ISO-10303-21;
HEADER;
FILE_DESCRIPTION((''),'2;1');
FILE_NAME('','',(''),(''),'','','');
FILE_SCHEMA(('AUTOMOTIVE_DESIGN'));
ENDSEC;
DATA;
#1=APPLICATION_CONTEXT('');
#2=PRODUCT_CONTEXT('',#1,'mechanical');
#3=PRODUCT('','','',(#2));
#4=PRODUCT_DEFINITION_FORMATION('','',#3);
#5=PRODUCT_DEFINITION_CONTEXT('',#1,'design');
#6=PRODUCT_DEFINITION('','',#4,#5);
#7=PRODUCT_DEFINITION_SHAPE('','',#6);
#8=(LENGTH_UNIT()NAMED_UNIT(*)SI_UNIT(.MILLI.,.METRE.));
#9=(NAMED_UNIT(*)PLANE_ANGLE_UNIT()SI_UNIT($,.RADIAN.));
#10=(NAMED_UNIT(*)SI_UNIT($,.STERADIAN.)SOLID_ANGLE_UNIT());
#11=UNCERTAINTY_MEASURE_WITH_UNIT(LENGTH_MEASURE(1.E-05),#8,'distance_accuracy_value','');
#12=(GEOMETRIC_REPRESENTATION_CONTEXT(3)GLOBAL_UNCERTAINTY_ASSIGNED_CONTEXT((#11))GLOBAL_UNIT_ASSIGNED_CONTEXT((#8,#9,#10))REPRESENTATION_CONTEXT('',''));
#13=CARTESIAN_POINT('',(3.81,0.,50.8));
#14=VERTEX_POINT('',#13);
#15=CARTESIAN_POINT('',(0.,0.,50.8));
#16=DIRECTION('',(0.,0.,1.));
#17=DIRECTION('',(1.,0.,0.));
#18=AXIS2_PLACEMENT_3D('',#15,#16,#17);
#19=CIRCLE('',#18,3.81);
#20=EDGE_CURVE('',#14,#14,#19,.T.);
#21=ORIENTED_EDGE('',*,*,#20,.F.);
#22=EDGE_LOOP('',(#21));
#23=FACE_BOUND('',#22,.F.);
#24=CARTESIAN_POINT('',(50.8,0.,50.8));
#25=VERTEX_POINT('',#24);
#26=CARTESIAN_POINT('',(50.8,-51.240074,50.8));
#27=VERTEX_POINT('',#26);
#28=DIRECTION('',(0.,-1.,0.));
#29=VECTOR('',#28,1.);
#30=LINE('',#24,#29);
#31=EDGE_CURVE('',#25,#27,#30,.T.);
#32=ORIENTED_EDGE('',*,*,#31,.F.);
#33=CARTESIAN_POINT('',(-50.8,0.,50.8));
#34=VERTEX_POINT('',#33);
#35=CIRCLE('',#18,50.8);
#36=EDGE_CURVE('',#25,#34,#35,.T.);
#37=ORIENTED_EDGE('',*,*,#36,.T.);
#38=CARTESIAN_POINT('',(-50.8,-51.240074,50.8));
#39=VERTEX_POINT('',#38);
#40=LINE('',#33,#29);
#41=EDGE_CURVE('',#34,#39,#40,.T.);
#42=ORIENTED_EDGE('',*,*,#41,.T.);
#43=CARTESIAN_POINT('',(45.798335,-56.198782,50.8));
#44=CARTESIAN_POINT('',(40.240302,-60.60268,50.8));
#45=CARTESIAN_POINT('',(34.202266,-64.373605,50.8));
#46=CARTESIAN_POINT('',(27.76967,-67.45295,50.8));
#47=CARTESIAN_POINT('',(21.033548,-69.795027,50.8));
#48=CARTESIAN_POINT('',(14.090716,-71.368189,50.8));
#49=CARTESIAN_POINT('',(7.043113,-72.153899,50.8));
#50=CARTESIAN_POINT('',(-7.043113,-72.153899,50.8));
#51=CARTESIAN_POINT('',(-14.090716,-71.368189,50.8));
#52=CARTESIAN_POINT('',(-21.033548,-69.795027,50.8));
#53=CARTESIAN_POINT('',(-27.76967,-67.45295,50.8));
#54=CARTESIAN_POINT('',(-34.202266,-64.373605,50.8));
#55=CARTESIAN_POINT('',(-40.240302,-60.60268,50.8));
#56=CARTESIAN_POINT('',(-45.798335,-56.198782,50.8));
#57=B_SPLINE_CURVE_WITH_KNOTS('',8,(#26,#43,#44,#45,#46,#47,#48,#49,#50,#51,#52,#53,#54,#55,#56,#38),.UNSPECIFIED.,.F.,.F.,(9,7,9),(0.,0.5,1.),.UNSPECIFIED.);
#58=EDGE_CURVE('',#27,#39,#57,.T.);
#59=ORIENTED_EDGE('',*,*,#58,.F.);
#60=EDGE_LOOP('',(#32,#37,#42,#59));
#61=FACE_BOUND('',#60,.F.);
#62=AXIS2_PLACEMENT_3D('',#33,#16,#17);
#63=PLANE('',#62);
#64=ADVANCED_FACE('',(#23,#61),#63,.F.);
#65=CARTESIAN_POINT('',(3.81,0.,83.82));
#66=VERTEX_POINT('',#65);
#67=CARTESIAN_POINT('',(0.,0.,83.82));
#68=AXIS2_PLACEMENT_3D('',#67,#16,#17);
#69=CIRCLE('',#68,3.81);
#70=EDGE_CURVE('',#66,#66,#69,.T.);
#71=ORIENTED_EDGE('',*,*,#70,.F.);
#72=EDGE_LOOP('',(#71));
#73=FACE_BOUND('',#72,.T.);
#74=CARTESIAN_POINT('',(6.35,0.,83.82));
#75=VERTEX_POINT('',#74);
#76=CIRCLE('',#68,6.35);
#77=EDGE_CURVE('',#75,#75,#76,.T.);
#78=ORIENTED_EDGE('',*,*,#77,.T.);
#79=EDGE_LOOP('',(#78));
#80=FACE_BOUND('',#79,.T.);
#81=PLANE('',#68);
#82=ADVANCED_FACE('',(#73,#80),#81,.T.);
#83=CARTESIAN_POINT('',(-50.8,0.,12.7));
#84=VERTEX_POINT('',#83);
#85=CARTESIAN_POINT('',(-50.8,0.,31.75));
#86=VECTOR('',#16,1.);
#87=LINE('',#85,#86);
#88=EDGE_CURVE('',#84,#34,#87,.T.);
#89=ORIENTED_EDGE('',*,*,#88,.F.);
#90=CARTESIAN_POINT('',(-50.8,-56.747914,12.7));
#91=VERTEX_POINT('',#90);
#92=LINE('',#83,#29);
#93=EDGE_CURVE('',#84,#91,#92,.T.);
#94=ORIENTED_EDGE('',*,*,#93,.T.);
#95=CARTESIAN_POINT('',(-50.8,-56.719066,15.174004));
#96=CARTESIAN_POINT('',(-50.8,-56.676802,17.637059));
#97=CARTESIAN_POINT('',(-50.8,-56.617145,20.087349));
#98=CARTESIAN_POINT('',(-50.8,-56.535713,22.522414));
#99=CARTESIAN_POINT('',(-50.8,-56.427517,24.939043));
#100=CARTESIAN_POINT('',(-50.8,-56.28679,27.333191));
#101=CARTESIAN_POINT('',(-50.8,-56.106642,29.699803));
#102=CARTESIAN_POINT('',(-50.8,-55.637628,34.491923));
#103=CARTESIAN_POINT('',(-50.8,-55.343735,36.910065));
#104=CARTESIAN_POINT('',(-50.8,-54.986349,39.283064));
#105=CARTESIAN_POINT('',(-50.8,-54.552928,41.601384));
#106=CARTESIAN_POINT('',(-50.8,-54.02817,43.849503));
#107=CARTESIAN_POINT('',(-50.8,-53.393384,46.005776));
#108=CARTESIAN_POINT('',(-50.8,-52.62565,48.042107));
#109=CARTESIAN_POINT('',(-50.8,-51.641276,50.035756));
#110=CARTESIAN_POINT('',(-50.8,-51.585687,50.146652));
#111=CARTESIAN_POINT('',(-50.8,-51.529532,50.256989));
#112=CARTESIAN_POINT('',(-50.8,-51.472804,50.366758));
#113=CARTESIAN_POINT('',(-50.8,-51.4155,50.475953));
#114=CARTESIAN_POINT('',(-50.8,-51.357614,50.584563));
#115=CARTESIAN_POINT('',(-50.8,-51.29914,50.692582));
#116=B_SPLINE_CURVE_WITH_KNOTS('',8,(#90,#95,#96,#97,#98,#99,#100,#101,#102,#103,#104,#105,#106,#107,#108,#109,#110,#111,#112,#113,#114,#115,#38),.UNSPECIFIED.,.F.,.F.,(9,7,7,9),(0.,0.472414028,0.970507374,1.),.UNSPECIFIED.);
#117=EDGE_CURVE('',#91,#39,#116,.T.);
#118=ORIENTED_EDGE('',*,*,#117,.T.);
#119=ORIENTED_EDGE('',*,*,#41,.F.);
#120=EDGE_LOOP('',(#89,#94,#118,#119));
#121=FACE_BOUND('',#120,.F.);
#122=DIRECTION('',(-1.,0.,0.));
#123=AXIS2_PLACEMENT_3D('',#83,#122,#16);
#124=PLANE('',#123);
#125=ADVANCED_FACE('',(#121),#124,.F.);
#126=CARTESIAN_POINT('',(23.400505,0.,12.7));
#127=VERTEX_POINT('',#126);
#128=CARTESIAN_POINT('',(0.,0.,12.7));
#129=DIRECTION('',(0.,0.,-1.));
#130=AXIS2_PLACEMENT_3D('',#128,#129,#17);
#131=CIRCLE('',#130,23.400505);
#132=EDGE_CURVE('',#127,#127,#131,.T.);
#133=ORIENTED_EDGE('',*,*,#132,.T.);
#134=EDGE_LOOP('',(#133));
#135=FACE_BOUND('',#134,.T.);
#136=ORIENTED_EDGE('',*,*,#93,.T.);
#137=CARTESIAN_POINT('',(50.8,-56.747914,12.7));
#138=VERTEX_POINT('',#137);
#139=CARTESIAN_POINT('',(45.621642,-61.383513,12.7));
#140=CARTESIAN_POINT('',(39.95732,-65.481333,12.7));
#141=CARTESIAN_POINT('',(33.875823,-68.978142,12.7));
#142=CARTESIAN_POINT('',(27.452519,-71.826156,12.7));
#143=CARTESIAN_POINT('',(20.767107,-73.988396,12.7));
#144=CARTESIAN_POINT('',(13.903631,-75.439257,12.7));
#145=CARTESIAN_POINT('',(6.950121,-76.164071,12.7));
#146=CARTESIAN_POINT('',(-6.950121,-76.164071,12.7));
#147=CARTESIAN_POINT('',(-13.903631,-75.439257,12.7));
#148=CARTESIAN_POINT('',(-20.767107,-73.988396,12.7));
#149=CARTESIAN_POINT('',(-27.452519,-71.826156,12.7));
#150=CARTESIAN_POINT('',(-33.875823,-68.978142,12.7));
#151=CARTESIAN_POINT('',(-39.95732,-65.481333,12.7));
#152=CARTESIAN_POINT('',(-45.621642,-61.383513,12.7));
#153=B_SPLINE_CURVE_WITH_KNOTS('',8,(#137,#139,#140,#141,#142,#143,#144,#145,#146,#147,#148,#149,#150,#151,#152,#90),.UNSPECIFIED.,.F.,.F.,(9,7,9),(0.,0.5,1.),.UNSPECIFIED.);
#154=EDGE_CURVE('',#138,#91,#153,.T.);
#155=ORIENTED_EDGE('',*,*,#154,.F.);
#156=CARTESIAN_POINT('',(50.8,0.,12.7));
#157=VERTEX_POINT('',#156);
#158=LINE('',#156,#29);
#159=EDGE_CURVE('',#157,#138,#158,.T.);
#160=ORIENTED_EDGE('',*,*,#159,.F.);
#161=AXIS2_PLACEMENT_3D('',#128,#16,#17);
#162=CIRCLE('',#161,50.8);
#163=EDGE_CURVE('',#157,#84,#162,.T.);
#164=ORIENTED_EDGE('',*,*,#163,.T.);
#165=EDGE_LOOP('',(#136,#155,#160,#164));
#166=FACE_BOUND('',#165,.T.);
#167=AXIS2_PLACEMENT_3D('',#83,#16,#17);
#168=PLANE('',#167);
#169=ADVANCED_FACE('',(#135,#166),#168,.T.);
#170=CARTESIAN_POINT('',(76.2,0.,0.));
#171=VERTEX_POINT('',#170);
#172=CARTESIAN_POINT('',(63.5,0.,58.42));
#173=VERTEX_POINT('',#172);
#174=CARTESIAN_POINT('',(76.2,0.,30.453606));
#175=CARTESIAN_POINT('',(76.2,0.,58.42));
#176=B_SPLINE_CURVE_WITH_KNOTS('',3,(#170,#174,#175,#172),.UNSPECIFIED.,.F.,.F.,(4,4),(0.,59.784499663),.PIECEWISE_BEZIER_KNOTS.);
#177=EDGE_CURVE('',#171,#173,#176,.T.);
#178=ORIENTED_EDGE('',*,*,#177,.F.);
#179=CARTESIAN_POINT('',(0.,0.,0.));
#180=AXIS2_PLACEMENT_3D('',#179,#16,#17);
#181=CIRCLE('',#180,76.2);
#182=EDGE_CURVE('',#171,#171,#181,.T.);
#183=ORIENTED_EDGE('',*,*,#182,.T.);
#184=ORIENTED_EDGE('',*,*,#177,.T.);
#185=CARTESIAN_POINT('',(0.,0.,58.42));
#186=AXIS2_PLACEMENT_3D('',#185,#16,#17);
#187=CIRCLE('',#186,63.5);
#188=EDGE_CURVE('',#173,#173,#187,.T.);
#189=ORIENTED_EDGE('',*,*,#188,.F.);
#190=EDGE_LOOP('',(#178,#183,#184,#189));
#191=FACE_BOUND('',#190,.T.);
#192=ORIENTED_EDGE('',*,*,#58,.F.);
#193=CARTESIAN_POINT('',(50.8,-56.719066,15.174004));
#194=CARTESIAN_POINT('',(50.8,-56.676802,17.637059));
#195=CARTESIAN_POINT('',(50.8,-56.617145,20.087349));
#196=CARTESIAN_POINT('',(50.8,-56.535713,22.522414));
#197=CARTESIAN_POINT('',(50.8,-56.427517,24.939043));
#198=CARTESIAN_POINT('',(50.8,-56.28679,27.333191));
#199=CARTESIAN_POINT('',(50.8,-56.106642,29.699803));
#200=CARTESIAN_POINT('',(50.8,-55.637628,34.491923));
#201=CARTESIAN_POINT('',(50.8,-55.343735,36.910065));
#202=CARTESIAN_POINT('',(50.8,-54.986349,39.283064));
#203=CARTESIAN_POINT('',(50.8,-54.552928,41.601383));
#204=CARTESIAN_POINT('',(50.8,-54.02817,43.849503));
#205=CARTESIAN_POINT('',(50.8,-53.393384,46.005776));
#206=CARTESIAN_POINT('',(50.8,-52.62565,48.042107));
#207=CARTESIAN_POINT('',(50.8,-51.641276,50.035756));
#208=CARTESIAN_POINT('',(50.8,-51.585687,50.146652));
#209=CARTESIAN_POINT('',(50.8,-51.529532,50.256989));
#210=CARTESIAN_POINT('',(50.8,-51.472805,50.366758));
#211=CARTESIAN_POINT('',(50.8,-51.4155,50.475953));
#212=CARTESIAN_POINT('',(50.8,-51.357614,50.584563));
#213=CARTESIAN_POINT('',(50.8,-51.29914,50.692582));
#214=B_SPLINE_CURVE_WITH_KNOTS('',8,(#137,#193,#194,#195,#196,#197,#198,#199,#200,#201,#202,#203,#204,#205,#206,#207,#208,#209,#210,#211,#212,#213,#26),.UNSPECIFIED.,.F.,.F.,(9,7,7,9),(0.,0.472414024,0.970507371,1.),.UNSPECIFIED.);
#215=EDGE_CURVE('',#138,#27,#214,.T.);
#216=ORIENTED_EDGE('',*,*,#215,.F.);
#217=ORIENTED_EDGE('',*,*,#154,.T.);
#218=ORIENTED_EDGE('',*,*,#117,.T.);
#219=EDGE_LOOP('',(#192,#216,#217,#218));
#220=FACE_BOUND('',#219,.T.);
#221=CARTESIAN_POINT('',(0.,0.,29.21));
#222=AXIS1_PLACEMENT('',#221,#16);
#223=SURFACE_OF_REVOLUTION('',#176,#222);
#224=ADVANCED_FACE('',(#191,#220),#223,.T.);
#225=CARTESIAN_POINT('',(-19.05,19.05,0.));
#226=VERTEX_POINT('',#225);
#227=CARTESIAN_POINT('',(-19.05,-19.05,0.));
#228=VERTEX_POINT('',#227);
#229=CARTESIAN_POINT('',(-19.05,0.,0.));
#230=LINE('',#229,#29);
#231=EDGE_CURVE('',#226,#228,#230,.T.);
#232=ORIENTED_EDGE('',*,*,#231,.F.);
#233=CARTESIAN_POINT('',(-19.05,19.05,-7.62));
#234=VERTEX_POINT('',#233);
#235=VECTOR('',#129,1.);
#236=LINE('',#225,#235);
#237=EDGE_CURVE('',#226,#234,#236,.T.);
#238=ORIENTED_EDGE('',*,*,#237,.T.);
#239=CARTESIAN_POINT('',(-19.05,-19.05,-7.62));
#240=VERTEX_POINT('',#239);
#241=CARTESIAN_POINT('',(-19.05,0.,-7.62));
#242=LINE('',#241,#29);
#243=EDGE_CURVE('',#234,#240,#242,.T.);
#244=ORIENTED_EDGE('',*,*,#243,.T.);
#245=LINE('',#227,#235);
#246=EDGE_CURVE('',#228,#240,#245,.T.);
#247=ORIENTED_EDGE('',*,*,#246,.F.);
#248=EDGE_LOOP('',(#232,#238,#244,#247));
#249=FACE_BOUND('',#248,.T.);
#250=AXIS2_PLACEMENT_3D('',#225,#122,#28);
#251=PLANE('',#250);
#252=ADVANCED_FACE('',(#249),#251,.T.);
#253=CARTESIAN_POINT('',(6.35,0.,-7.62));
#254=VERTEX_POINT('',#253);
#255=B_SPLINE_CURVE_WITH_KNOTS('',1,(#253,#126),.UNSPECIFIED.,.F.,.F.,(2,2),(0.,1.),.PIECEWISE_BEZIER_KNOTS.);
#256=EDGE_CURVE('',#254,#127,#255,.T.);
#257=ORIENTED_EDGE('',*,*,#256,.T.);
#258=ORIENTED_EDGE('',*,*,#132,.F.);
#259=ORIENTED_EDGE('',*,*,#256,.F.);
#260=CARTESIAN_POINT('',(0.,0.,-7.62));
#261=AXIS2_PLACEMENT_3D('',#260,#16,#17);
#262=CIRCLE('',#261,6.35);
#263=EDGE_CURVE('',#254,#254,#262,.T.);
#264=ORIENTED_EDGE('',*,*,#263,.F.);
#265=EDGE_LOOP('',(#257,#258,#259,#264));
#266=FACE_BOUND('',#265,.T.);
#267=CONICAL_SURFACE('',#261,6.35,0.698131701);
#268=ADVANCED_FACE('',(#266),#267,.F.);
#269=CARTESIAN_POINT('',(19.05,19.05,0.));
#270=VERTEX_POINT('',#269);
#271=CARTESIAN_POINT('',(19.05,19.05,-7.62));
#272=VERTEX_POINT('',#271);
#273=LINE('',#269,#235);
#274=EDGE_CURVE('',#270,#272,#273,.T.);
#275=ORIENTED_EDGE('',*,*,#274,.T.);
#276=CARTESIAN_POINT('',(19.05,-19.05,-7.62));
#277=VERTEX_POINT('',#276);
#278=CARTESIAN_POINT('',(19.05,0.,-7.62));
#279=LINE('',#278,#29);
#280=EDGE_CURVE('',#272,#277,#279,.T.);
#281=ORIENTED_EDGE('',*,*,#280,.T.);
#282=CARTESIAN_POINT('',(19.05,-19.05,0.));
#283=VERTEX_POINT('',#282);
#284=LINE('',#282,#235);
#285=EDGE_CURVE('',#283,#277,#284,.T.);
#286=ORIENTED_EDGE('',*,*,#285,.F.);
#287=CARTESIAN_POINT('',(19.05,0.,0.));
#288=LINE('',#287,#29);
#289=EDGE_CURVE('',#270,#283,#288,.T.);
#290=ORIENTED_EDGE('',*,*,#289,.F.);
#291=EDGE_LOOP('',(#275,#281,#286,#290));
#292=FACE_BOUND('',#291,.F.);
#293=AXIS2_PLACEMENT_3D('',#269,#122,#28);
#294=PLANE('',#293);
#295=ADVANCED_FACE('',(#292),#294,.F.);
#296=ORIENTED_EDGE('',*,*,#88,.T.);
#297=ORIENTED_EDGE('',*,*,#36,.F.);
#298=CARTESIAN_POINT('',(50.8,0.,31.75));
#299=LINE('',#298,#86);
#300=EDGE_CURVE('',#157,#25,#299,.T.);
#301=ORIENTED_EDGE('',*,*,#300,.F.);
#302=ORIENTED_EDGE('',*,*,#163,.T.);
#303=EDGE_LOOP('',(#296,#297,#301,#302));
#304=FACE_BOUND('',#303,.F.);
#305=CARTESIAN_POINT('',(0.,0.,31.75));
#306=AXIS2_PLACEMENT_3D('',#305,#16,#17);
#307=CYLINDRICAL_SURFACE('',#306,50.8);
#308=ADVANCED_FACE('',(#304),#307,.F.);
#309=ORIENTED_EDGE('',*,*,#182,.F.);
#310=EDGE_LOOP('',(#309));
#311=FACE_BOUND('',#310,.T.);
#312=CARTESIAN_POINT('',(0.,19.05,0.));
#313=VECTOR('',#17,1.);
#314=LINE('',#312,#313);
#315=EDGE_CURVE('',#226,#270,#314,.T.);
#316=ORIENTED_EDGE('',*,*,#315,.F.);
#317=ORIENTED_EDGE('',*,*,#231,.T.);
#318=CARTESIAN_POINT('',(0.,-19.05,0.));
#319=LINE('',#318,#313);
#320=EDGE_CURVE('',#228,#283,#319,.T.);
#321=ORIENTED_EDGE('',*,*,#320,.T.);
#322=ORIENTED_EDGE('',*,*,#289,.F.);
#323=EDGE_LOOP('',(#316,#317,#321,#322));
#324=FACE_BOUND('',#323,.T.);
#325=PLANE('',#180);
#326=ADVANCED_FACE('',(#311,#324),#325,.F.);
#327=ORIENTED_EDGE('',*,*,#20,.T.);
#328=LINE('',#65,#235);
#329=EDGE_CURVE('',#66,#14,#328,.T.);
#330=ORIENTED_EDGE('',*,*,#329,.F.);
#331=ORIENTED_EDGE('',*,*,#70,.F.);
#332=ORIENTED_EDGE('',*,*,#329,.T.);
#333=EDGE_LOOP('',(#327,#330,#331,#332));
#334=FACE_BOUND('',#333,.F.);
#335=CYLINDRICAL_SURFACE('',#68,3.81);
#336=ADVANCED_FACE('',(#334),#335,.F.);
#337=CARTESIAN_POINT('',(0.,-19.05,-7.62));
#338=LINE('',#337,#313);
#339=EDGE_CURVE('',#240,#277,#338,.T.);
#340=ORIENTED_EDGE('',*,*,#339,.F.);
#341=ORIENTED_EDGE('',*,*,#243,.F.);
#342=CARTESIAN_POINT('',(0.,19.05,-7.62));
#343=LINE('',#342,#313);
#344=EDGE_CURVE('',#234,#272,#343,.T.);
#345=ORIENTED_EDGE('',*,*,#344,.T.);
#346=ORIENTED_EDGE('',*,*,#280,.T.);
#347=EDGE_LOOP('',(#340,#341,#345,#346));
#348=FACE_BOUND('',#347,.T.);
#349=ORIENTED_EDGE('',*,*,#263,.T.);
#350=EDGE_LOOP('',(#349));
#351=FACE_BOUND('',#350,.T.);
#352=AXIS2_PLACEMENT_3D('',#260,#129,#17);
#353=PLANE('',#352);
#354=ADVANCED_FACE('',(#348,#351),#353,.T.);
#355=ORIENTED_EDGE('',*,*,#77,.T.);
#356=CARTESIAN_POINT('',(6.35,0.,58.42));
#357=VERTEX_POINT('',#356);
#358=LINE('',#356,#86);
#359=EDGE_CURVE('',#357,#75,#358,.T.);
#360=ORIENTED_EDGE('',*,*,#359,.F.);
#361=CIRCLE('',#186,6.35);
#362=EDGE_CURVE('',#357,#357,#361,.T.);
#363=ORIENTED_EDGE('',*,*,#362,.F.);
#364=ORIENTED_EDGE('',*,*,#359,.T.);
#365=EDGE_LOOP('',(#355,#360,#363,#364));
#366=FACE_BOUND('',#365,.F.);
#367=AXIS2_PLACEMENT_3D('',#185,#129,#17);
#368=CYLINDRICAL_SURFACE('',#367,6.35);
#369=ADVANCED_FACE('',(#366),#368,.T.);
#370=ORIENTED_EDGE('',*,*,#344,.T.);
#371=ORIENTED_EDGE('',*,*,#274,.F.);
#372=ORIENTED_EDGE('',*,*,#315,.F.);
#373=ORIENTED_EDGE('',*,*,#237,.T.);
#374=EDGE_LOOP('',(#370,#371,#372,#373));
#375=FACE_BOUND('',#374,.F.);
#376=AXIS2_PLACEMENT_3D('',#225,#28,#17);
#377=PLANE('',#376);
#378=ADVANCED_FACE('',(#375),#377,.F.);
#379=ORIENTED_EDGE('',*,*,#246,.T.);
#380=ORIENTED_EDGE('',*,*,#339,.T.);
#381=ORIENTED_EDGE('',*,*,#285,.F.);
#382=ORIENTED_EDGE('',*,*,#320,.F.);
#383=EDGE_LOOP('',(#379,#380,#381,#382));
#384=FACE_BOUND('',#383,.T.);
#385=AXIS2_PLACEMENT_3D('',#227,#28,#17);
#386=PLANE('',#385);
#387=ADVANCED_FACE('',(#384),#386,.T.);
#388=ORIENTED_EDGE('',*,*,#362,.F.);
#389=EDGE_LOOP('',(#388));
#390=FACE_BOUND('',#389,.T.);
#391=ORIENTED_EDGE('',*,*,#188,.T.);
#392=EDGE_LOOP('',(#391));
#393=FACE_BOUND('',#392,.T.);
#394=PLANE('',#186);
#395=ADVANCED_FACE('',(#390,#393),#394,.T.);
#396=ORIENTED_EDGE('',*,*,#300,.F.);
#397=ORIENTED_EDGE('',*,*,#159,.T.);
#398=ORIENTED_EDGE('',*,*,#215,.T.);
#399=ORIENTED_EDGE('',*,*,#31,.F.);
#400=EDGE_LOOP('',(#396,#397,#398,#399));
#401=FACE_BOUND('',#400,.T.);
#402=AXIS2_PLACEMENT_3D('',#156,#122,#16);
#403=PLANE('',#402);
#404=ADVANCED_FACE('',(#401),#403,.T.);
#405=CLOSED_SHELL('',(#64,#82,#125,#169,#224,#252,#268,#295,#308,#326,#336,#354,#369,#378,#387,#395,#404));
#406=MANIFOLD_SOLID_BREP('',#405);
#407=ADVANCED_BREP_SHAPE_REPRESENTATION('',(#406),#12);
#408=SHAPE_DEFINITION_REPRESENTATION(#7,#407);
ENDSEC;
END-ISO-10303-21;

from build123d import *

# Parameters (mm, degrees)
F2_W      = 50.8
F2_H      = 38.1
F4_W      = 101.6
F4_H      = 38.1
F5_DEPTH  = 76.2010001
F6_W      = 38.1
F6_H      = 38.1
F7_DEPTH  = 7.62
F8_R      = 6.35
F9_DEPTH  = 20.32
F9_TAPER  = -40
F10_R     = 6.35
F11_DEPTH = 25.4
F12_R     = 3.81
F13_DEPTH = 33.02


with BuildPart() as f1:
    # F0 (on Front) → F1 (revolve)
    with BuildSketch(Plane.XZ):
        with BuildLine():
            Line((0, 0), (76.2, 0))
            add(Edge.make_bspline(
                [(76.2, 0), (76.2, 30.4536055773), (76.2, 58.42), (63.5, 58.42)],
                knots=[0, 0, 0, 0, 59.7844996634, 59.7844996634, 59.7844996634, 59.7844996634], degree=3))
            Line((63.5, 58.42), (0, 58.42))
            Line((0, 58.42), (0, 0))
        make_face()
    revolve(axis=Axis((0, 0, 29.21), (0, 0, 1)))

    # F2 (on Front) → F3 (revolve, cut)
    with BuildSketch(Plane.XZ):
        with Locations((25.4, 31.75)):
            Rectangle(F2_W, F2_H)
    revolve(axis=Axis((0, 0, 31.75), (0, 0, 1)), mode=Mode.SUBTRACT)

    # F4 (on Front) → F5 (cut, through all)
    with BuildSketch(Plane.XZ):
        with Locations((0, 31.75)):
            Rectangle(F4_W, F4_H)
    extrude(amount=F5_DEPTH, mode=Mode.SUBTRACT)

    # F6 (on face) → F7 (join)
    with BuildSketch(Plane(origin=(0, 0, 0), x_dir=(1, 0, 0), z_dir=(0, 0, -1))):
        Rectangle(F6_W, F6_H)
    extrude(amount=F7_DEPTH)

    # F8 (on face) → F9 (cut, through all)
    with BuildSketch(Plane(origin=(0, 0, -7.62), x_dir=(1, 0, 0), z_dir=(0, 0, -1))):
        Circle(F8_R)
    extrude(amount=-F9_DEPTH, taper=F9_TAPER, mode=Mode.SUBTRACT)

    # F10 (on face) → F11 (join)
    with BuildSketch(Plane.XY.offset(58.42)):
        Circle(F10_R)
    extrude(amount=F11_DEPTH)

    # F12 (on face) → F13 (cut, through all)
    with BuildSketch(Plane.XY.offset(83.82)):
        Circle(F12_R)
    extrude(amount=-F13_DEPTH, mode=Mode.SUBTRACT)


solid = f1.part
